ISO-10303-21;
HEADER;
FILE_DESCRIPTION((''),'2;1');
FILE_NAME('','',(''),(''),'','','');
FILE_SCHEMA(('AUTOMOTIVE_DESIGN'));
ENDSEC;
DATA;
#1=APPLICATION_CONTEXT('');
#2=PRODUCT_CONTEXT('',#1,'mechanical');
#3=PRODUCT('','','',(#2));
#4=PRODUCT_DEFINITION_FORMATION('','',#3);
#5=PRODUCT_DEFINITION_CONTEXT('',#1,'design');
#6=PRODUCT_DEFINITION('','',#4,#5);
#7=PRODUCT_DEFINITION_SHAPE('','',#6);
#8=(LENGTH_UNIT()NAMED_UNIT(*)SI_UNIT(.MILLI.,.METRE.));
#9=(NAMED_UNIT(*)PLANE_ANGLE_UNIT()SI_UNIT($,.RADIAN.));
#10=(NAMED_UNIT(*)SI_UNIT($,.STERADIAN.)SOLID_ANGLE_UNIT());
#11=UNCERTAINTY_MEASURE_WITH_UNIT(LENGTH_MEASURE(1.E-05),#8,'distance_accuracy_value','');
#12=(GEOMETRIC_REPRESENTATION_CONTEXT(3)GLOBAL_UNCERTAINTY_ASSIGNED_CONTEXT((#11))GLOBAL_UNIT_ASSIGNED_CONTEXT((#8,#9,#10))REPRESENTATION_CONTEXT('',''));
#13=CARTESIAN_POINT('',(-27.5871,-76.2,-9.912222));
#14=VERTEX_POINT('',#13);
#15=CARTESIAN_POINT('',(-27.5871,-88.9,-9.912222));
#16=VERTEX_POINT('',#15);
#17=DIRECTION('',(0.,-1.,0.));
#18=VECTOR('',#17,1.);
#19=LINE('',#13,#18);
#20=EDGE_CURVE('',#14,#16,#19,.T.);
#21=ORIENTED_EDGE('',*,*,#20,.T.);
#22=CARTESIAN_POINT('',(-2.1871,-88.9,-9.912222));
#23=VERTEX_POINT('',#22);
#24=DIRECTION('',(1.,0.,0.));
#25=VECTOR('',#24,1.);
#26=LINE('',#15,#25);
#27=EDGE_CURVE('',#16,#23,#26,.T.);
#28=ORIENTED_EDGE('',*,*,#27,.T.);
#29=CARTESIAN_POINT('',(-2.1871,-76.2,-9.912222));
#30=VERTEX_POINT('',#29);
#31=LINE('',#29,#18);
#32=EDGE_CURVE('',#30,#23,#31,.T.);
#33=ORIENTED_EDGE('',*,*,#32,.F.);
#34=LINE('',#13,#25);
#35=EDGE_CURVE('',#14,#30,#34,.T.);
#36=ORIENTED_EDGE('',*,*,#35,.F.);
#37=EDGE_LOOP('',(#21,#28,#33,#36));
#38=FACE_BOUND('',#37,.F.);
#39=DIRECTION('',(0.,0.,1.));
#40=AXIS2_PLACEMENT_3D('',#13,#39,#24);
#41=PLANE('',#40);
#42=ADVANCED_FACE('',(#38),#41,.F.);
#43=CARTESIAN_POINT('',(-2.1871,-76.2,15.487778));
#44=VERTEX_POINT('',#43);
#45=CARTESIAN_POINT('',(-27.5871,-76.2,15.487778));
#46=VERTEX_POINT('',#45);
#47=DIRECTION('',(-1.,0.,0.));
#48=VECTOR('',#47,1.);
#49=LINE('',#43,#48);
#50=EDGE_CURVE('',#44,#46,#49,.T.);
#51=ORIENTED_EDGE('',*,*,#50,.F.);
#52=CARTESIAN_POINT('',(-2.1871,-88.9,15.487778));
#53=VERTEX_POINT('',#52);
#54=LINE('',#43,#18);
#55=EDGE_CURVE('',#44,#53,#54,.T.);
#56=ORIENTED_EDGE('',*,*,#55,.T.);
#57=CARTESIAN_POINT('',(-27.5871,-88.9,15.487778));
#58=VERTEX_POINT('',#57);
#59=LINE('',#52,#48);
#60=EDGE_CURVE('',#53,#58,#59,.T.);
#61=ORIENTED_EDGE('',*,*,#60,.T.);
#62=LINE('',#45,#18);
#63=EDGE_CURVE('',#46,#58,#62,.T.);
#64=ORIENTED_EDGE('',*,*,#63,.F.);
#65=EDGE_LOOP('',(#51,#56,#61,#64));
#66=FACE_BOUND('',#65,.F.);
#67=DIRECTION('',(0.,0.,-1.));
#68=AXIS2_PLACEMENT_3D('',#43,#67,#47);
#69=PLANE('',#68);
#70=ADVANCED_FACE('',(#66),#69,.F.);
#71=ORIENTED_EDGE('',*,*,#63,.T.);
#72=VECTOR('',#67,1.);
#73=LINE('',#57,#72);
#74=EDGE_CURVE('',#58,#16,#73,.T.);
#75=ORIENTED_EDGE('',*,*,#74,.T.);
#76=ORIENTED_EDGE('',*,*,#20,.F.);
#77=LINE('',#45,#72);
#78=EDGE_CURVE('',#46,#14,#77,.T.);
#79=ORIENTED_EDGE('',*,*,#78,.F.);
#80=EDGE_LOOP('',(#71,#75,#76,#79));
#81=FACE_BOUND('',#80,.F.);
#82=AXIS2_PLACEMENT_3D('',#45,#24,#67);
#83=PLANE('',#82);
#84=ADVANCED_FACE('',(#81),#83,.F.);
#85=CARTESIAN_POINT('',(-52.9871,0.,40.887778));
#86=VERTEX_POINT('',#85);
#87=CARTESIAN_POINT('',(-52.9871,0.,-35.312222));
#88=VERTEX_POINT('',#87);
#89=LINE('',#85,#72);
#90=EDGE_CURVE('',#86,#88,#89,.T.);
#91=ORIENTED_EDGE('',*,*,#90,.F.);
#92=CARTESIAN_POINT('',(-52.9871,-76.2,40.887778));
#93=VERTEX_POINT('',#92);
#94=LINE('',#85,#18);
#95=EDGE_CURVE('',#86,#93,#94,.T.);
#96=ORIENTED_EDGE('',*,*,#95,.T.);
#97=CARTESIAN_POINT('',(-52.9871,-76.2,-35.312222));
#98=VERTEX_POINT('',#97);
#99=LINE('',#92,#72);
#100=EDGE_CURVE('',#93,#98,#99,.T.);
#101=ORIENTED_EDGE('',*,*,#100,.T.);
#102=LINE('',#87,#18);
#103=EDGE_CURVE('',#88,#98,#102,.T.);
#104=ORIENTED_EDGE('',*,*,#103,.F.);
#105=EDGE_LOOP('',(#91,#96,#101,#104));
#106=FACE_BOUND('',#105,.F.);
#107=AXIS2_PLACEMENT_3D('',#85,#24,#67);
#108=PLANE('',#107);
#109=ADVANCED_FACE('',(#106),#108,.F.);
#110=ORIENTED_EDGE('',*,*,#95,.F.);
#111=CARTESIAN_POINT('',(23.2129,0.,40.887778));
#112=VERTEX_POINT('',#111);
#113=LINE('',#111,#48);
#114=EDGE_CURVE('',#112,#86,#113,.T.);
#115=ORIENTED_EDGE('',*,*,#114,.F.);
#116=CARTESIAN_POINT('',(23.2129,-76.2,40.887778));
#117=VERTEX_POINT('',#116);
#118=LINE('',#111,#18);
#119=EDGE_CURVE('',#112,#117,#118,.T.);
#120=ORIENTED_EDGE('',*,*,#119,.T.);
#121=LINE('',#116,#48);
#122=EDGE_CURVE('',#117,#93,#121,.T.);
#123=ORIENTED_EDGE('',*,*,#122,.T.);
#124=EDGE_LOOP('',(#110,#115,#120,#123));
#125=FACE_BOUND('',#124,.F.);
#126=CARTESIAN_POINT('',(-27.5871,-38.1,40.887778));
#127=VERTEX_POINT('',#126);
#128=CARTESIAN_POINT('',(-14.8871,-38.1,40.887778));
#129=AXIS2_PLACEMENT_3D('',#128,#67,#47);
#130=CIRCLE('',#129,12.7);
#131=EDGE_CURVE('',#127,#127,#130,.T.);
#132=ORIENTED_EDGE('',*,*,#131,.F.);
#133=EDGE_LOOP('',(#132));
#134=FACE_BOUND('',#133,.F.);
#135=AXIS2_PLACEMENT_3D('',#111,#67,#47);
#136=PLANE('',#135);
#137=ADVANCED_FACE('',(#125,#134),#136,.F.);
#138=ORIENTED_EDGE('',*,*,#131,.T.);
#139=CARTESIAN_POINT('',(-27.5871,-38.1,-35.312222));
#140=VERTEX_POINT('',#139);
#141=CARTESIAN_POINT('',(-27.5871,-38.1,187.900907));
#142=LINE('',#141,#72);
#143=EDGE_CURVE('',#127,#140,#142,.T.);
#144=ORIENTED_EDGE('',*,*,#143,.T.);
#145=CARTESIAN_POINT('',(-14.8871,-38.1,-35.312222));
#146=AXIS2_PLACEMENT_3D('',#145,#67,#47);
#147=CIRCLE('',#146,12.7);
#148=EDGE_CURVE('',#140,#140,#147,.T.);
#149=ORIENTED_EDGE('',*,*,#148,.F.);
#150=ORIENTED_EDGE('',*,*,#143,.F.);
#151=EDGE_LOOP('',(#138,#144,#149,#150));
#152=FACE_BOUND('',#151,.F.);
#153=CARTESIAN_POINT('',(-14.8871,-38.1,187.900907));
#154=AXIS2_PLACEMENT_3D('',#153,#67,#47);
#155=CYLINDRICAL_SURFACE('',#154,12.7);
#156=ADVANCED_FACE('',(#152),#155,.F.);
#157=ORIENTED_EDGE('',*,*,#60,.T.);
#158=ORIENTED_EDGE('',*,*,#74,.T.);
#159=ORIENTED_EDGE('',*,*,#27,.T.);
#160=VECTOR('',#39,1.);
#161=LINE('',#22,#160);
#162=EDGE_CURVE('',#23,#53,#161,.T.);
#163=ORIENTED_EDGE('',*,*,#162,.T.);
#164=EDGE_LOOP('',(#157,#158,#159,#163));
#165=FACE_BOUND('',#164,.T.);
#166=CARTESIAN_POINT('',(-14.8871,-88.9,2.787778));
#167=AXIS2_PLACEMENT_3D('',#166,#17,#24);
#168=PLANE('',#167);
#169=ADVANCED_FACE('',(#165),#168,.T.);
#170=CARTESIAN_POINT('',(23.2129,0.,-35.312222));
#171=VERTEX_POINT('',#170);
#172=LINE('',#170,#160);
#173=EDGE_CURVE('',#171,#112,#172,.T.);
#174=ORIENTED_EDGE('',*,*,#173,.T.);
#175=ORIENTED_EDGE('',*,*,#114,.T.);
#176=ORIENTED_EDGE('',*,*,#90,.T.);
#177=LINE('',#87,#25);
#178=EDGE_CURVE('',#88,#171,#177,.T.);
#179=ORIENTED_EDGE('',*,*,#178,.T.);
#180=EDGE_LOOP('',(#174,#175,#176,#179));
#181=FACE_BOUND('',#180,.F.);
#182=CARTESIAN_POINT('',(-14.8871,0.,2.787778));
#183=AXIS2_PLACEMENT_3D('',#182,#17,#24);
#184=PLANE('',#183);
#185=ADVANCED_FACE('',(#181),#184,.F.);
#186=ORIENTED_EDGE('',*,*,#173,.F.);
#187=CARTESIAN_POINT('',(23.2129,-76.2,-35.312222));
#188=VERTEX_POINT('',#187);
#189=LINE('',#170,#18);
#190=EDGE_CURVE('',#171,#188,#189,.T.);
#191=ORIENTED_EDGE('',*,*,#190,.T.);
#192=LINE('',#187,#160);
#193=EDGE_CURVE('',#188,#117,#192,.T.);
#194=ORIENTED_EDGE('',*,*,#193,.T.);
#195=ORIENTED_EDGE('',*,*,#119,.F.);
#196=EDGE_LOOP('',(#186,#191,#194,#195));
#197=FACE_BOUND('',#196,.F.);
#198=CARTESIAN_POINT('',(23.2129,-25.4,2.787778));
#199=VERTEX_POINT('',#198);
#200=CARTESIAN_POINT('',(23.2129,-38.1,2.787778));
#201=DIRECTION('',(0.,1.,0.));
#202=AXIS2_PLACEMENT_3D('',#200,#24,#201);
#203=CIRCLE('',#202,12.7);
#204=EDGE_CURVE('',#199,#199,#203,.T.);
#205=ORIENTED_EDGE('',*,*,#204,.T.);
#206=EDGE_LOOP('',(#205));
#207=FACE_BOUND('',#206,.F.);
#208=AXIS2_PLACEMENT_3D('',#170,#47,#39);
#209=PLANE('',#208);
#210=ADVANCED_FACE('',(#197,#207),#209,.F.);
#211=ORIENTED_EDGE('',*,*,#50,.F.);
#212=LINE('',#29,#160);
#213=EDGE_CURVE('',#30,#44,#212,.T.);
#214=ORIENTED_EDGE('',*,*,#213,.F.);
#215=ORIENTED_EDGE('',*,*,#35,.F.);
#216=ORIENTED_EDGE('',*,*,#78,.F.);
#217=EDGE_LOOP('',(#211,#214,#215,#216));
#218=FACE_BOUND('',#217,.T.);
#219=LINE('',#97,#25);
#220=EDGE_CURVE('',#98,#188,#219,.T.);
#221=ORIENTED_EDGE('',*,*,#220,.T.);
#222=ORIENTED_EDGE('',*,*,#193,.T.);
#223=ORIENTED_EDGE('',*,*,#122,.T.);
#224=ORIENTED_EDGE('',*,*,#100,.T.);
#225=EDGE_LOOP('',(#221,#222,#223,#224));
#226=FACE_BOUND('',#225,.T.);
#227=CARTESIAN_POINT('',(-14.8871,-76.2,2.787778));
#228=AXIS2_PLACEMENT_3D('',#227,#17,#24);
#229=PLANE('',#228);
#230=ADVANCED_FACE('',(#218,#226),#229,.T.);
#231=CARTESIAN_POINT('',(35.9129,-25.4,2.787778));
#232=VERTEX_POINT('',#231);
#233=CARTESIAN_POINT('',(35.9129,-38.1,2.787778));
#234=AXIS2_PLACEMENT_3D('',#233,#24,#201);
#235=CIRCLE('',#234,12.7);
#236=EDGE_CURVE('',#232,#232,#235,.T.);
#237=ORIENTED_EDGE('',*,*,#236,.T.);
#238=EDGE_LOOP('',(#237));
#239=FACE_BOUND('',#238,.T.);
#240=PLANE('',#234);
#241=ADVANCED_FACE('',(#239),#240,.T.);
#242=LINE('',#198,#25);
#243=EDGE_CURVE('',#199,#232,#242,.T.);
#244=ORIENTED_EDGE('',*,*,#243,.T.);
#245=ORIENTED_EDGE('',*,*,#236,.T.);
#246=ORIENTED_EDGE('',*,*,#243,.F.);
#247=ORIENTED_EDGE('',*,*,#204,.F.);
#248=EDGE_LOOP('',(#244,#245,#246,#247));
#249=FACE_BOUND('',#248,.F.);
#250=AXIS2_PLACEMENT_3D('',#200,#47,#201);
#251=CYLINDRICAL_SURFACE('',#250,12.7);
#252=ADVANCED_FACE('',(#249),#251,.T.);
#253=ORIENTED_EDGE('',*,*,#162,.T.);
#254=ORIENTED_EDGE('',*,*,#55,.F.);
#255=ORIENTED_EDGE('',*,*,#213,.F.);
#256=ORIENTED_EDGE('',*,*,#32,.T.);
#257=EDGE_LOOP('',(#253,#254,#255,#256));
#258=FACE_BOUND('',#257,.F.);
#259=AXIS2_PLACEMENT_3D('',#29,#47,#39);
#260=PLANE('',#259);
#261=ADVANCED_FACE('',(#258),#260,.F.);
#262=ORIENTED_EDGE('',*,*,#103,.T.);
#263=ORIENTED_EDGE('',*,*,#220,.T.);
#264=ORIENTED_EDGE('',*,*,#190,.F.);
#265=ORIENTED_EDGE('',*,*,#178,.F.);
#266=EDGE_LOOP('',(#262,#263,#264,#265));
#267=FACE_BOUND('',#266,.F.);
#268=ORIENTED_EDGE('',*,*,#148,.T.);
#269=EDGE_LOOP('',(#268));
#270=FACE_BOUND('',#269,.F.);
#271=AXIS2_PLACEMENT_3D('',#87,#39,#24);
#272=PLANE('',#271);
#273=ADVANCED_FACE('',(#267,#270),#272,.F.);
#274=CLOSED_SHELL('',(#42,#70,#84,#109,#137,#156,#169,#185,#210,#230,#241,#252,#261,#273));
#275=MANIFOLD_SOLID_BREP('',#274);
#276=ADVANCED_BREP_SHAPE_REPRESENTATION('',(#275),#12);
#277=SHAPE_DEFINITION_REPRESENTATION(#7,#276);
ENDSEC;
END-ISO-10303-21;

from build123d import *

# Parameters (mm, degrees)
F1_DEPTH = 76.2
F3_DEPTH = 12.7
F4_R     = 12.7
F5_DEPTH = 12.7
F7_D     = 25.4


with BuildPart() as f1:
    # F0 (on Front) → F1 (new body)
    with BuildSketch(Plane.XZ):
        Polygon((23.2129, 40.887778), (-52.9871, 40.887778), (-52.9871, -35.312222), (23.2129, -35.312222), (23.2129, -19.995111), align=None)
    extrude(amount=F1_DEPTH)

    # F2 (on face) → F3 (join)
    with BuildSketch(Plane.XZ.offset(76.2)):
        Polygon((-2.1871, 15.487778), (-27.5871, 15.487778), (-27.5871, -9.912222), (-2.1871, -9.912222), (-2.1871, 2.787778), (-2.1871, 5.203116), align=None)
    extrude(amount=F3_DEPTH)

    # F4 (on face) → F5 (join)
    with BuildSketch(Plane.YZ.offset(23.2129)):
        with Locations((-38.1, 2.787778)):
            Circle(F4_R)
    extrude(amount=F5_DEPTH)

    # F7 (through all)
    with Locations(Plane.XY.offset(40.887778)):
        with Locations((-14.8871, -38.1)):
            Hole(F7_D / 2)


solid = f1.part
